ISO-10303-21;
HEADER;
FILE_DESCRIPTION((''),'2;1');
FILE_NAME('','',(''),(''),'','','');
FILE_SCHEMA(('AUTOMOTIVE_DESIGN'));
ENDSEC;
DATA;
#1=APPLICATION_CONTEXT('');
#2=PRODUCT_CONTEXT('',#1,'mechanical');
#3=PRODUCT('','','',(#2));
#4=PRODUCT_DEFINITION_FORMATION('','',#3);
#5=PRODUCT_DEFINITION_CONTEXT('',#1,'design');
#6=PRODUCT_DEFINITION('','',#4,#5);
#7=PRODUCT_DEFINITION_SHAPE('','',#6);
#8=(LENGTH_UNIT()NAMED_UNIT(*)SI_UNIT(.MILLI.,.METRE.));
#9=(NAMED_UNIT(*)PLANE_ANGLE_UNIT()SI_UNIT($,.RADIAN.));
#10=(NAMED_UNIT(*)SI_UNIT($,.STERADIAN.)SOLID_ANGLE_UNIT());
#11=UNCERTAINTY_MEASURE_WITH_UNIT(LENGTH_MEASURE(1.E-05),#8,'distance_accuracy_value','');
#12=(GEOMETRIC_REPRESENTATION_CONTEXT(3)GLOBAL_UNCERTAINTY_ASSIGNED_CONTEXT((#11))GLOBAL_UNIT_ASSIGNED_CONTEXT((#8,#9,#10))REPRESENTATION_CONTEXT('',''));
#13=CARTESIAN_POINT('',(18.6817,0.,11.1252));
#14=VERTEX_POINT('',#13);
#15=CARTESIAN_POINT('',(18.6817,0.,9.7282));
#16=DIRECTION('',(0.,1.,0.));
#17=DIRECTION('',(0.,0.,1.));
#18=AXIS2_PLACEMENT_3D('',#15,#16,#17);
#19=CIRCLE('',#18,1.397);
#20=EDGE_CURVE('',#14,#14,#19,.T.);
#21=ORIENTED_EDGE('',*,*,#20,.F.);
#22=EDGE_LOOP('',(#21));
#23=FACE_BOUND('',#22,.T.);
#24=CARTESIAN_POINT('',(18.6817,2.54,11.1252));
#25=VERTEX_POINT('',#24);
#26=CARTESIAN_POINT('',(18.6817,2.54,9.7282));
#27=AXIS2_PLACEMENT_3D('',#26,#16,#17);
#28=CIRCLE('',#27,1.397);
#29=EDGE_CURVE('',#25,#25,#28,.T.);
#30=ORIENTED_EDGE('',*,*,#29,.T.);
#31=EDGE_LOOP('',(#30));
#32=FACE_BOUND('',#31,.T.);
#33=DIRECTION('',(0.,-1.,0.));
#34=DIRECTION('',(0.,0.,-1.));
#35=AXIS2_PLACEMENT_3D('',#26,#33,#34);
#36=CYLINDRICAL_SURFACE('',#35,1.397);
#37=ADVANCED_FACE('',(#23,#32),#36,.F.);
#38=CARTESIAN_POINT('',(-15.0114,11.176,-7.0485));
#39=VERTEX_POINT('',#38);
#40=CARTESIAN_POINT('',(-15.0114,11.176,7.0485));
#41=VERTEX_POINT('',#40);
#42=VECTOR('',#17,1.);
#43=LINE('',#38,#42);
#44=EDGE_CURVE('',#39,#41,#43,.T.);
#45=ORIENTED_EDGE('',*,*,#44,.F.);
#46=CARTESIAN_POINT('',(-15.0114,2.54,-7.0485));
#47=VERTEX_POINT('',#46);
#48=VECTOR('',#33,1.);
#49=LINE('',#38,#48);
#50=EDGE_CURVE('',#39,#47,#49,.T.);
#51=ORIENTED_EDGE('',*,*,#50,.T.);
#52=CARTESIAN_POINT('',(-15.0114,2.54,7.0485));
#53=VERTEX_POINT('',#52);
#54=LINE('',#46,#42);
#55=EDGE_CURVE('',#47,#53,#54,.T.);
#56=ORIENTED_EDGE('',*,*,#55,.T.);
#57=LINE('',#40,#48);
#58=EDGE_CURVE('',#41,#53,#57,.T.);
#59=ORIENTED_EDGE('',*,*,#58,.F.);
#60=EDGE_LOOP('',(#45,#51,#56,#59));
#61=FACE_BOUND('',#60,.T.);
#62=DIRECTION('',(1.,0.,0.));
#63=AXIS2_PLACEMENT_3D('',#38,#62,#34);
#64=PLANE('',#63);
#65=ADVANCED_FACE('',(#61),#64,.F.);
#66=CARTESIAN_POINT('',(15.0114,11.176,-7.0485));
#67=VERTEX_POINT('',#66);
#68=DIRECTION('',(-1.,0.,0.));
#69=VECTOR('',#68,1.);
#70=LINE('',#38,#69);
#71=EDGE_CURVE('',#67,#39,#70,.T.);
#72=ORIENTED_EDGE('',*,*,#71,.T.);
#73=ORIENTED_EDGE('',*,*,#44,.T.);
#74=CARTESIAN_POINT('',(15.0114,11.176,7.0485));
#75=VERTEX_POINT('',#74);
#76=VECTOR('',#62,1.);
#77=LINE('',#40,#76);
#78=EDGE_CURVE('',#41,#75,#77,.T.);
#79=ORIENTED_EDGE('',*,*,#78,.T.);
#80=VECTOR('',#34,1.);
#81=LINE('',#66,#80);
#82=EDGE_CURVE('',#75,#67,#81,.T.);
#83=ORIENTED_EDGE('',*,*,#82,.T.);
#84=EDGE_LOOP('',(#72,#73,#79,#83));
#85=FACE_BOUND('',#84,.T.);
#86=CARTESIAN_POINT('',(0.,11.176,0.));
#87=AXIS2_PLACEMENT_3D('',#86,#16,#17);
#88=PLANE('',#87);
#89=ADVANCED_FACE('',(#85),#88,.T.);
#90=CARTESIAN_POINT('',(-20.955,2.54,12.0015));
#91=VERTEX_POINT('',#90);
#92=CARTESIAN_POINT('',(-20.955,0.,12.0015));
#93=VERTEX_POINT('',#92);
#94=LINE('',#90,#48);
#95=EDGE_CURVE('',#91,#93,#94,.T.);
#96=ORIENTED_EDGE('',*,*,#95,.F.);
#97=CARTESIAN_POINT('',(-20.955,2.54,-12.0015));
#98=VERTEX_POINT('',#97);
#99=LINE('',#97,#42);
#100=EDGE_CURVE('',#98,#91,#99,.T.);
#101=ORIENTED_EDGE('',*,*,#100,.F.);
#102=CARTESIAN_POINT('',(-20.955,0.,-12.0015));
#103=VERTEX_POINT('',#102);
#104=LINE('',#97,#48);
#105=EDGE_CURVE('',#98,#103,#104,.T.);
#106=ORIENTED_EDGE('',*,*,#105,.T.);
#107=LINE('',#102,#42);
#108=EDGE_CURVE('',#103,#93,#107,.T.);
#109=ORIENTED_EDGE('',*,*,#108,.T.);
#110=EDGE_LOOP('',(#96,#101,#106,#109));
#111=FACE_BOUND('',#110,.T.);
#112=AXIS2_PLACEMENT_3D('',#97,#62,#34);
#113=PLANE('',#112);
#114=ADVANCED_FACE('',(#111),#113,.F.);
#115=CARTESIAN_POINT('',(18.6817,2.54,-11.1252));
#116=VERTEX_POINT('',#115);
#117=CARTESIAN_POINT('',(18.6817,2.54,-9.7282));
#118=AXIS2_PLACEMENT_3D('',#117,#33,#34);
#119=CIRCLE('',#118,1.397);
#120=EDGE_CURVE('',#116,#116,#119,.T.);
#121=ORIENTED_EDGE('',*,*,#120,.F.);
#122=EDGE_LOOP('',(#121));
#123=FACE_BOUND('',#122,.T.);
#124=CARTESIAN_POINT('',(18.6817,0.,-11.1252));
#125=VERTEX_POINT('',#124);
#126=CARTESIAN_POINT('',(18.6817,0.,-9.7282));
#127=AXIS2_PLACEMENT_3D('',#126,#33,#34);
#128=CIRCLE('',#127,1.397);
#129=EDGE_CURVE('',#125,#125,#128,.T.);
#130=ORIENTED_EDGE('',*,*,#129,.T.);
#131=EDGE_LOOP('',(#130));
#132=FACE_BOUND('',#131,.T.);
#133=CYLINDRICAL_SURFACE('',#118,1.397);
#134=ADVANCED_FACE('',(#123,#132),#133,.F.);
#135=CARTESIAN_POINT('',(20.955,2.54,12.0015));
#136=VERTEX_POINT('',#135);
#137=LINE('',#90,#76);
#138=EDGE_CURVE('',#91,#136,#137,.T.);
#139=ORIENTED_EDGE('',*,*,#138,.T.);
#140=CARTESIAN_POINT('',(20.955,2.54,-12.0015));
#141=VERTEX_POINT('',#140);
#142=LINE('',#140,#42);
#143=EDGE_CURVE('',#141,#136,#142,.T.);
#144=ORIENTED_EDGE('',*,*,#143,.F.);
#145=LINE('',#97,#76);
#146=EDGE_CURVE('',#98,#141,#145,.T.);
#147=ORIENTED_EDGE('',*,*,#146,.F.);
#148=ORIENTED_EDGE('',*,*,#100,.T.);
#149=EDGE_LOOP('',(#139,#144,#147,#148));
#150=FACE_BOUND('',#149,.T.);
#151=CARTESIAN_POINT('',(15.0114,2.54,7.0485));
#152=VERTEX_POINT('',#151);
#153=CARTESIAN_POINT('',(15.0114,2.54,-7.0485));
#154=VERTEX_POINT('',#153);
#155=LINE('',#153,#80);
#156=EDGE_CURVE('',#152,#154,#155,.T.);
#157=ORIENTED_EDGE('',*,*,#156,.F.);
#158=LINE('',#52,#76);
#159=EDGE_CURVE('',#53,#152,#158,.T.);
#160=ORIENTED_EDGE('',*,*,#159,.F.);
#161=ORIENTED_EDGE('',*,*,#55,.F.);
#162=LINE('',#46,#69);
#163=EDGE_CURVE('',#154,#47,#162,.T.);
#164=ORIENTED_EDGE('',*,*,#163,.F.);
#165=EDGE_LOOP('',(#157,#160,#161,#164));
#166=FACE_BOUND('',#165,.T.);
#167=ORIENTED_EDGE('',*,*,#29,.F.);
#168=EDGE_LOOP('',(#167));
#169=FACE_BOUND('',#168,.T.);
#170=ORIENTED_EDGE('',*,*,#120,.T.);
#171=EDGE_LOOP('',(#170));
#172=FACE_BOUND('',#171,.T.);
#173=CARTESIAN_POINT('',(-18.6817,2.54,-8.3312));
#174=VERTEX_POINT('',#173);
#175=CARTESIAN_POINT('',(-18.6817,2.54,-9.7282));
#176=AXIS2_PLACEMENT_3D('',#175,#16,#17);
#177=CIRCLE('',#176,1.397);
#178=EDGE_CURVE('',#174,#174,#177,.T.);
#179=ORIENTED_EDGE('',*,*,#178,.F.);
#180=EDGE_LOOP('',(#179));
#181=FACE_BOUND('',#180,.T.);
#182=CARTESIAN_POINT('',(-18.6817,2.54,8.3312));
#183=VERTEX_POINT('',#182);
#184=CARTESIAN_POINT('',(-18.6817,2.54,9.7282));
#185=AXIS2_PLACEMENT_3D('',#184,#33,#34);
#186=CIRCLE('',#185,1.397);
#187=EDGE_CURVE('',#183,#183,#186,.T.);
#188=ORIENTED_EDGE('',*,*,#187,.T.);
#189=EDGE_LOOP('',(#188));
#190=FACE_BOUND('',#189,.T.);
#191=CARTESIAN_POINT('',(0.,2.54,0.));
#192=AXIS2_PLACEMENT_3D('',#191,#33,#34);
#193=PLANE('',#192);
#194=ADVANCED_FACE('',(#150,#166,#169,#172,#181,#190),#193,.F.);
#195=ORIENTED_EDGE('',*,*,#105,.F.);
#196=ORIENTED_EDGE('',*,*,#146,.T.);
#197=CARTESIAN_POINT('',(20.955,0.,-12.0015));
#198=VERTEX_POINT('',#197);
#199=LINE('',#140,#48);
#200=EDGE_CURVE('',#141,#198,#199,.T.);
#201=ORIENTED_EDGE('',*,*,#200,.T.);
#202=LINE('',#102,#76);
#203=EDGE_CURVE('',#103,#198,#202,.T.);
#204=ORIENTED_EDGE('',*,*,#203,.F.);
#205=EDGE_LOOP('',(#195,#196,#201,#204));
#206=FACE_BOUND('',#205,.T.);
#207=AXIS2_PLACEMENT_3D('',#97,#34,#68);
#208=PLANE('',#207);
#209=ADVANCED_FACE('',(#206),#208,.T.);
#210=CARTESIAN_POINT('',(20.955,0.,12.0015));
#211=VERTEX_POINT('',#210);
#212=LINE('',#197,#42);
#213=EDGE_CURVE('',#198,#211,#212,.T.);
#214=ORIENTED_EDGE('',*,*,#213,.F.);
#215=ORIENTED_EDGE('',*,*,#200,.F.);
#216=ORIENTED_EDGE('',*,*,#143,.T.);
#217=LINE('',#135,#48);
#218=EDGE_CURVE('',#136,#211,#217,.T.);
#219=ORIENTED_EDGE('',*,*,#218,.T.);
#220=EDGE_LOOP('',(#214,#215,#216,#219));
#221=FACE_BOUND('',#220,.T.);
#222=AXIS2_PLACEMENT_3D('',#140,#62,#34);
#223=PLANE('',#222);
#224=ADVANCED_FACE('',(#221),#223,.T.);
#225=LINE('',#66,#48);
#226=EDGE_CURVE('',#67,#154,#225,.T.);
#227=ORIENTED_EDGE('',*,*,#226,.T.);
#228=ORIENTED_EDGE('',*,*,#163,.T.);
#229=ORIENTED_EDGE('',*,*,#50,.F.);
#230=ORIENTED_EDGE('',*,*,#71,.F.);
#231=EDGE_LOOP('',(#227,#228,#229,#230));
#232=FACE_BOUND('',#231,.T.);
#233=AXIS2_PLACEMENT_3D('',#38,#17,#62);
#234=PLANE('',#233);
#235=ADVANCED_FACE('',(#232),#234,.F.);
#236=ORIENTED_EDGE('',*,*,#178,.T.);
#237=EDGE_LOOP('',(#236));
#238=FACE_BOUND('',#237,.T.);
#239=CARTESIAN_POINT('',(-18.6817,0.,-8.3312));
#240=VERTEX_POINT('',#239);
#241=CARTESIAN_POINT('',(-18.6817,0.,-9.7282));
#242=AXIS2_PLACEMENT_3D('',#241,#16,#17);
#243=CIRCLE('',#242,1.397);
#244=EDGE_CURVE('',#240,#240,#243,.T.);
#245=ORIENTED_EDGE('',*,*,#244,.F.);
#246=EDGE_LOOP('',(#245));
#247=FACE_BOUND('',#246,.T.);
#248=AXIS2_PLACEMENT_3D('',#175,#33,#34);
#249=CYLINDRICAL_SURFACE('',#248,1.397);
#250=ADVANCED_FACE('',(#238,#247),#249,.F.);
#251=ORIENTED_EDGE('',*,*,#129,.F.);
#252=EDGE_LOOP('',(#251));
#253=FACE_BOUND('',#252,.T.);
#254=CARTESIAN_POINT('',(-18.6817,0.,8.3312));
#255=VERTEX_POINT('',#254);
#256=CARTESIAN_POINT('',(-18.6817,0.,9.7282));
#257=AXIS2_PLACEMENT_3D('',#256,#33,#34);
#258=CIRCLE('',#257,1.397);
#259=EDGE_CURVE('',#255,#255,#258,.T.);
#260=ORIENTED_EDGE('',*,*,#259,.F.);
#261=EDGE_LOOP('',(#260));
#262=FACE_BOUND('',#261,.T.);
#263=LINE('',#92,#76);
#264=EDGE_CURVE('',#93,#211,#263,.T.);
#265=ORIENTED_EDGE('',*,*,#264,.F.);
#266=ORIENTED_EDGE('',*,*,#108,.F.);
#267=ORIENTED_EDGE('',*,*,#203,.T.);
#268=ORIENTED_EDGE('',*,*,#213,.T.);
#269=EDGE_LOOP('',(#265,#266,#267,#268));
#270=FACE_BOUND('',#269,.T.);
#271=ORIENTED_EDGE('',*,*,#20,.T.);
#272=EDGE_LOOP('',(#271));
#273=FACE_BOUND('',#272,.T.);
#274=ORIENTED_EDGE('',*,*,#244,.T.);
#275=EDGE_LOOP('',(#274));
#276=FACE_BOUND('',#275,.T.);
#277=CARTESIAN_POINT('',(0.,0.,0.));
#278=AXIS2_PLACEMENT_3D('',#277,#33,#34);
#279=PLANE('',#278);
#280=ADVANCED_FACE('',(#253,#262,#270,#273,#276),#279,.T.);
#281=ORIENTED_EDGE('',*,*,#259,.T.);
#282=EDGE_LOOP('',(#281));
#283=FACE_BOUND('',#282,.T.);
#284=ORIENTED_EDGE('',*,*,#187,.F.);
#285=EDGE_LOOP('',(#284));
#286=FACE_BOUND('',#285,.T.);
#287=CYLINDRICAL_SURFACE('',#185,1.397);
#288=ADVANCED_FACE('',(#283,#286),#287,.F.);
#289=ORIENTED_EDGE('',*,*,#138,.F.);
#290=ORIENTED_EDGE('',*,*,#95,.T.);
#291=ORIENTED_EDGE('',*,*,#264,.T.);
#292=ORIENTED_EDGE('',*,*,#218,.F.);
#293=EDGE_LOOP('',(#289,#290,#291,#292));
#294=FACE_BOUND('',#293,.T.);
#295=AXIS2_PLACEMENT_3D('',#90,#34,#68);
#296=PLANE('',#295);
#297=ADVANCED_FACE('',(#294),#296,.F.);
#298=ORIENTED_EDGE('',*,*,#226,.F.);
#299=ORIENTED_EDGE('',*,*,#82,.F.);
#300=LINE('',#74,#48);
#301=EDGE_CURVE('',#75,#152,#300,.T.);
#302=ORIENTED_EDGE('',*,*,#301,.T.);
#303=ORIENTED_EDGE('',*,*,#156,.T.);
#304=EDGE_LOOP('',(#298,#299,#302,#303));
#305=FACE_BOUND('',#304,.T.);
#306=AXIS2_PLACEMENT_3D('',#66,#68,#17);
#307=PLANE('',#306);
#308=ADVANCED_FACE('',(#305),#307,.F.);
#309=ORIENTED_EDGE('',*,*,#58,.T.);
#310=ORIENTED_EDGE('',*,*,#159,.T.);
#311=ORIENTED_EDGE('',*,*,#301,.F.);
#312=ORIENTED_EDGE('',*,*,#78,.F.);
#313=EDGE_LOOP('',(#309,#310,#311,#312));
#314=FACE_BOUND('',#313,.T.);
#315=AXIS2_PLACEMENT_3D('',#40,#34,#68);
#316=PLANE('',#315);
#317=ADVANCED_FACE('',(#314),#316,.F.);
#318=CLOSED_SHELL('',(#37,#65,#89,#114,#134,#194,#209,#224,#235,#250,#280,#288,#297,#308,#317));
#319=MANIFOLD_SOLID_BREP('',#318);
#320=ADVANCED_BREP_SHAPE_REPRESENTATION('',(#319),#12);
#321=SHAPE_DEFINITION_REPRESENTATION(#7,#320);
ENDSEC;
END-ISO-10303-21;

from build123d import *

# Parameters (mm, degrees)
SKETCH1_W           = 41.91
SKETCH1_H           = 24.003
SKETCH1_R           = 1.397
BOSS_EXTRUDE1_DEPTH = 2.54
SKETCH2_W           = 30.0228
SKETCH2_H           = 14.097
BOSS_EXTRUDE2_DEPTH = 8.636


with BuildPart() as part:
    # Sketch1 → Boss-Extrude1 (new body)
    with BuildSketch(Plane(origin=(0, 0, 0), x_dir=(1, 0, 0), z_dir=(0, 1, 0))):
        Rectangle(SKETCH1_W, SKETCH1_H)
        with Locations(Location((-18.6817, 9.7282, 0), (0, 0, 270))):
            Circle(SKETCH1_R, mode=Mode.SUBTRACT)
        with Locations(Location((-18.6817, -9.7282, 0), (0, 0, 90))):
            Circle(SKETCH1_R, mode=Mode.SUBTRACT)
        with Locations(Location((18.6817, -9.7282, 0), (0, 0, 270))):
            Circle(SKETCH1_R, mode=Mode.SUBTRACT)
        with Locations(Location((18.6817, 9.7282, 0), (0, 0, 90))):
            Circle(SKETCH1_R, mode=Mode.SUBTRACT)
    extrude(amount=BOSS_EXTRUDE1_DEPTH)

    # Sketch2 → Boss-Extrude2 (add)
    with BuildSketch(Plane(origin=(0, 2.54, 0), x_dir=(1, 0, 0), z_dir=(0, 1, 0))):
        Rectangle(SKETCH2_W, SKETCH2_H)
    extrude(amount=BOSS_EXTRUDE2_DEPTH)


solid = part.part
